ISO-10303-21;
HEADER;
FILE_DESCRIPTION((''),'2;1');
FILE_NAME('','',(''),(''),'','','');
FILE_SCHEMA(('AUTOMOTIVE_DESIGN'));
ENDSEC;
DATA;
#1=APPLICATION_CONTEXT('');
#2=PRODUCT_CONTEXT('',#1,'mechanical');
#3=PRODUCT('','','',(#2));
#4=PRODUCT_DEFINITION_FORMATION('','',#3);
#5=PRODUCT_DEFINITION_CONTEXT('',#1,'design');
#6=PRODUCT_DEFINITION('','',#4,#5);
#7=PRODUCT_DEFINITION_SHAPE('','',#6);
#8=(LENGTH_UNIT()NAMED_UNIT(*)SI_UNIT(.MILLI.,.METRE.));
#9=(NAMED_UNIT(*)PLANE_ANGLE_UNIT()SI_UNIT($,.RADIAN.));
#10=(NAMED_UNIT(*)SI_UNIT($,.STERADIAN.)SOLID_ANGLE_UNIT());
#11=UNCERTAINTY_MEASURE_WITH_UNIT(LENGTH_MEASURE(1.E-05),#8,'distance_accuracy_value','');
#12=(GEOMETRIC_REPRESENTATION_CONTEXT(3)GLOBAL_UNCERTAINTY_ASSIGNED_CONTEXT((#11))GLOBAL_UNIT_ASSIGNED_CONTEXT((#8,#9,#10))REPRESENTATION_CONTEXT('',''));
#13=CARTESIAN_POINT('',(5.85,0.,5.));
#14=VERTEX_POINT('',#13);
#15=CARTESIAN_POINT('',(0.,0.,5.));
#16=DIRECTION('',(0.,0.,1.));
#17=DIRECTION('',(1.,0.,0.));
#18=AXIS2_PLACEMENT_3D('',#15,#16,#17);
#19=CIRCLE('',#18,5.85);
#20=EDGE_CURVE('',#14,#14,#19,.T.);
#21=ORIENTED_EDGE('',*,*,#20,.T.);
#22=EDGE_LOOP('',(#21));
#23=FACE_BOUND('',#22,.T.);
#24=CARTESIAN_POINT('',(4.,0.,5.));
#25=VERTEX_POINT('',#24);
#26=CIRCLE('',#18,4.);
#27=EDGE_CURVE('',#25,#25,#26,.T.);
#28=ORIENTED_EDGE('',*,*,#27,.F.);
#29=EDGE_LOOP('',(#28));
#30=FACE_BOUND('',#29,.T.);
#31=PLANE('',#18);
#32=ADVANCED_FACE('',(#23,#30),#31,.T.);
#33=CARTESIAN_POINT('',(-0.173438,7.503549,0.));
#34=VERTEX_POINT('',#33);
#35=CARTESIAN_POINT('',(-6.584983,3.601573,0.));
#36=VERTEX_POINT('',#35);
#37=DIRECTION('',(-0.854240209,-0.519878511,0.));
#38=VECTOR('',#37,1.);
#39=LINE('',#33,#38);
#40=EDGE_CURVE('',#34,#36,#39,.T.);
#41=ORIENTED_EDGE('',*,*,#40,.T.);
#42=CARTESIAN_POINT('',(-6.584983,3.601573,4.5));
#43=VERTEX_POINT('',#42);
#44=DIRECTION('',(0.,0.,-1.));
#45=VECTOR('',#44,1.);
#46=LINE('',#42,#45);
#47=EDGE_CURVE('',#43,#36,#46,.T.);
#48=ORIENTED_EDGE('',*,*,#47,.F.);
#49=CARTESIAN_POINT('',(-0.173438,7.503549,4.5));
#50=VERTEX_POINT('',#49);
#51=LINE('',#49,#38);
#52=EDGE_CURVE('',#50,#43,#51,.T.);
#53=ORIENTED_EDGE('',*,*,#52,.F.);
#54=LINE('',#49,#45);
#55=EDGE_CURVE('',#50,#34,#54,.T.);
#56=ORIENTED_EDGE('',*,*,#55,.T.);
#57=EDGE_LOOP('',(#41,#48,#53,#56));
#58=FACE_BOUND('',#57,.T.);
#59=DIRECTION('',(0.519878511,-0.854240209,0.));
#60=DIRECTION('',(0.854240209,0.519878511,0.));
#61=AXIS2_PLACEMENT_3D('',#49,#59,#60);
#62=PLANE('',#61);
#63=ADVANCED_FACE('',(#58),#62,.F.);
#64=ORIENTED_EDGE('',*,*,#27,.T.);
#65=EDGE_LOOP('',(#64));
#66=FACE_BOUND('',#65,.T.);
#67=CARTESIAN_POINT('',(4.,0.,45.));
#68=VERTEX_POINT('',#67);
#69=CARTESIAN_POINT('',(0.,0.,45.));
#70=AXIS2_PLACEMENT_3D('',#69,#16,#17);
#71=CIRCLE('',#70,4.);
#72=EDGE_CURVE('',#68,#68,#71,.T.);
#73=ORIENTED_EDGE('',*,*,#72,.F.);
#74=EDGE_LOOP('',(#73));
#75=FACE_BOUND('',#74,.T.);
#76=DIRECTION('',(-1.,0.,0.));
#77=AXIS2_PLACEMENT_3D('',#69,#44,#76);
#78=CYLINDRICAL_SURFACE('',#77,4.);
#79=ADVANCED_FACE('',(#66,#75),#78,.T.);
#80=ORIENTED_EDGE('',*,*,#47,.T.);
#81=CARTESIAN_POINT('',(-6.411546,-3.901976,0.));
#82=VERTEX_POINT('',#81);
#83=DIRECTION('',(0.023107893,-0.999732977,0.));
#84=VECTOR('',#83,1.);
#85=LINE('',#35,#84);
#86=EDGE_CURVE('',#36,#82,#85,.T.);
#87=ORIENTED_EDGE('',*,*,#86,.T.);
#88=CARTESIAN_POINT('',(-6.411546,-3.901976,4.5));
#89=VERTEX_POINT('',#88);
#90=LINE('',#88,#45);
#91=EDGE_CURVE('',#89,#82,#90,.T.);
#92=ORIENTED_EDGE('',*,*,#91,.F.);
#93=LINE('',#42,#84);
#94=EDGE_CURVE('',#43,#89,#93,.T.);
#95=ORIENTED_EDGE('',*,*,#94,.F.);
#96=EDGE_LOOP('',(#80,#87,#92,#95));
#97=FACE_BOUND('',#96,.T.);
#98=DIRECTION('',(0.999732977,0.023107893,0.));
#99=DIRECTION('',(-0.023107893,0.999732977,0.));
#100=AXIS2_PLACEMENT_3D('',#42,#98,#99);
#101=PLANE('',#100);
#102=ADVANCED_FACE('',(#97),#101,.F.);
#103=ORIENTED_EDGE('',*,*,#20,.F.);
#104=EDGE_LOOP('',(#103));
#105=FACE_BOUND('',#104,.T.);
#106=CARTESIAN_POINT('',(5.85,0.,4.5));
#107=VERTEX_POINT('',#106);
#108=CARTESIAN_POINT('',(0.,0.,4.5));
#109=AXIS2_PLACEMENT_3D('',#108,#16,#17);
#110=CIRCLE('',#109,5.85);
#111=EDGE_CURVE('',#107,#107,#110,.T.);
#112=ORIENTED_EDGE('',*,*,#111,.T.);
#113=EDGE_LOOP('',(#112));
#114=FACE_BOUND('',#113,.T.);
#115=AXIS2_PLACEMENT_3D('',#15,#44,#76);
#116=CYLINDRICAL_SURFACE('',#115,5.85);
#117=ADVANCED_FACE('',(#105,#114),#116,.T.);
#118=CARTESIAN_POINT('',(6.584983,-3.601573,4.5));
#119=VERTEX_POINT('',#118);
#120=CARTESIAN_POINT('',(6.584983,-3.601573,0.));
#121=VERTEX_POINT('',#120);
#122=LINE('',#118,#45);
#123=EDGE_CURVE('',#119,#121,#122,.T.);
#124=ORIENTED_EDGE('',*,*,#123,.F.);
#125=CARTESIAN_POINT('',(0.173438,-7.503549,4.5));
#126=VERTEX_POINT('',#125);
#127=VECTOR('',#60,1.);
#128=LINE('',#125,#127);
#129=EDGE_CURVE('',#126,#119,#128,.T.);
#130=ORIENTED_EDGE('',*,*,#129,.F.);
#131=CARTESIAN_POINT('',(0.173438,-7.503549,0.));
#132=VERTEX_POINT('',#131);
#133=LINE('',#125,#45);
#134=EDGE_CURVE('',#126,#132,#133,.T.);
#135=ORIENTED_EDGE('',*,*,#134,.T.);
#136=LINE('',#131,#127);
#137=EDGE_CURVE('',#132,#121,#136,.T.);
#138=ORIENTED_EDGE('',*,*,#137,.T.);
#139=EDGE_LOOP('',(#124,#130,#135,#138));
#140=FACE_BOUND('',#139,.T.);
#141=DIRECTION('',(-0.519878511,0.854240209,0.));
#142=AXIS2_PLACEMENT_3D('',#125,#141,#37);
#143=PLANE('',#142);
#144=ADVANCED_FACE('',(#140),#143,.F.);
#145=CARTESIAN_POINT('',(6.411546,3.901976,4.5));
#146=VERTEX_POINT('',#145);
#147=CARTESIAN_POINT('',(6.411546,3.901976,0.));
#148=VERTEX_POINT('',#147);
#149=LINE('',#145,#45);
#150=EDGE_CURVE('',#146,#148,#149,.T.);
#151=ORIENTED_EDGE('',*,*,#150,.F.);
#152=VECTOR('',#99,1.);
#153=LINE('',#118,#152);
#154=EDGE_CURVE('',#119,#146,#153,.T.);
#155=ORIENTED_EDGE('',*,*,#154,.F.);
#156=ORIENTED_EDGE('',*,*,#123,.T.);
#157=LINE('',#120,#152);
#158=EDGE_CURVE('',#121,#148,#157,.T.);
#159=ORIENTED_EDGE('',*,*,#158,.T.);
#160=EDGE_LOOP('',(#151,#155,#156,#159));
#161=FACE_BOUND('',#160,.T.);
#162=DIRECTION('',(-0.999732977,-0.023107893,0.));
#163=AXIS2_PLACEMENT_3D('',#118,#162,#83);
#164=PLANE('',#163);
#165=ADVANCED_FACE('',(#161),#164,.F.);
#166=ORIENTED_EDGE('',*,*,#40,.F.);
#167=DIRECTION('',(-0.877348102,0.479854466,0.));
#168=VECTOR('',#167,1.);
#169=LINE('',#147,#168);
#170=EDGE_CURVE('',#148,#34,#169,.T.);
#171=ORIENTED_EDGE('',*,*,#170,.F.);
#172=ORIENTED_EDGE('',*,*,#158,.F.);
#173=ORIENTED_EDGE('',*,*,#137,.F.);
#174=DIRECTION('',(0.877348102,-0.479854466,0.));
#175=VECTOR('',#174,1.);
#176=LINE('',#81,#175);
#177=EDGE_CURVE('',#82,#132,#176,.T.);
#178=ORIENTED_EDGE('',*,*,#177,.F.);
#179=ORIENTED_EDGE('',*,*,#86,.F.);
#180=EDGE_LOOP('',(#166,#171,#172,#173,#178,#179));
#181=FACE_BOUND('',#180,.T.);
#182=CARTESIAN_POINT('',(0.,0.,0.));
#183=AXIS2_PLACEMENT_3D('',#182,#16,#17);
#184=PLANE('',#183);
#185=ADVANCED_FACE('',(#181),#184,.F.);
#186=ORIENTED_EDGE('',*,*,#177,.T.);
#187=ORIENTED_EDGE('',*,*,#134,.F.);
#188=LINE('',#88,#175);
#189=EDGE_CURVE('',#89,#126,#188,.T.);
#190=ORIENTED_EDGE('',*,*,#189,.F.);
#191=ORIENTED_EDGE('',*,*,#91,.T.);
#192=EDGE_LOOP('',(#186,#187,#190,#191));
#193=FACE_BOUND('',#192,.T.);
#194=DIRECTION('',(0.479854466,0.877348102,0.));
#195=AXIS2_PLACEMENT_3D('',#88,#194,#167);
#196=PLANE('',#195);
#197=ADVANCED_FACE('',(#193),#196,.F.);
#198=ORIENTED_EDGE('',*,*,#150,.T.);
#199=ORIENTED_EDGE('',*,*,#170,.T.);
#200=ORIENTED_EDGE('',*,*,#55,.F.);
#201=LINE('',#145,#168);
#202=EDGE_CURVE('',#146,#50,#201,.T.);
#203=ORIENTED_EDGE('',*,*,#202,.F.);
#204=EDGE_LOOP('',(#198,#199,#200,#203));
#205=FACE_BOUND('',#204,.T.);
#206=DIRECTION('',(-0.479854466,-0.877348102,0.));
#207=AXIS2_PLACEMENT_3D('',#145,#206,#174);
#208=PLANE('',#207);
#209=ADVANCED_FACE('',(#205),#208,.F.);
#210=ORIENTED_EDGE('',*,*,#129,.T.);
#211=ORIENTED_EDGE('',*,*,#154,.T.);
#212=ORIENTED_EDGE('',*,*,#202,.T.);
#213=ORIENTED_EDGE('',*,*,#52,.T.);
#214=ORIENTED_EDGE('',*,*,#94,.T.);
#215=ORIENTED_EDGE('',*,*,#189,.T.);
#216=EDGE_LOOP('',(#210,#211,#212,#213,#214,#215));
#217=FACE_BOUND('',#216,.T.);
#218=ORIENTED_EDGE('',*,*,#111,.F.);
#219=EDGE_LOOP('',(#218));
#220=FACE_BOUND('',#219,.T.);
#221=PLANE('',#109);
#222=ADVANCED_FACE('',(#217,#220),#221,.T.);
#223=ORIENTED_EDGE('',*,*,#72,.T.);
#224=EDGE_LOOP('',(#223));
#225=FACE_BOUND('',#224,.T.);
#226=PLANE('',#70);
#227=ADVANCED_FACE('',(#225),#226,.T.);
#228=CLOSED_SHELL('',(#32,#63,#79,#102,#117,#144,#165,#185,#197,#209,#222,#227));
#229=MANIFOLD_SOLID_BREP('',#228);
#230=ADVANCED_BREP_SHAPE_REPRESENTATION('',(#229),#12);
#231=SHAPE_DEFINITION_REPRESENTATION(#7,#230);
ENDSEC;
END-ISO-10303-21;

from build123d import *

# Parameters (mm, degrees)
BOSS_EXTRUDE1_DEPTH = 4.5
SKETCH2_R           = 5.85
BOSS_EXTRUDE2_DEPTH = 0.5
SKETCH3_R           = 4
BOSS_EXTRUDE3_DEPTH = 40


with BuildPart() as part:
    # Sketch1 → Boss-Extrude1 (new body)
    with BuildSketch(Plane.XY):
        Polygon((-6.411545587, -3.901975976), (0.173437527, -7.503549344), (6.584983114, -3.601573368), (6.411545587, 3.901975976), (-0.173437527, 7.503549344), (-6.584983114, 3.601573368), align=None)
    extrude(amount=BOSS_EXTRUDE1_DEPTH)

    # Sketch2 → Boss-Extrude2 (add)
    with BuildSketch(Plane.XY.offset(4.5)):
        Circle(SKETCH2_R)
    extrude(amount=BOSS_EXTRUDE2_DEPTH)

    # Sketch3 → Boss-Extrude3 (add)
    with BuildSketch(Plane.XY.offset(5)):
        Circle(SKETCH3_R)
    extrude(amount=BOSS_EXTRUDE3_DEPTH)


solid = part.part
